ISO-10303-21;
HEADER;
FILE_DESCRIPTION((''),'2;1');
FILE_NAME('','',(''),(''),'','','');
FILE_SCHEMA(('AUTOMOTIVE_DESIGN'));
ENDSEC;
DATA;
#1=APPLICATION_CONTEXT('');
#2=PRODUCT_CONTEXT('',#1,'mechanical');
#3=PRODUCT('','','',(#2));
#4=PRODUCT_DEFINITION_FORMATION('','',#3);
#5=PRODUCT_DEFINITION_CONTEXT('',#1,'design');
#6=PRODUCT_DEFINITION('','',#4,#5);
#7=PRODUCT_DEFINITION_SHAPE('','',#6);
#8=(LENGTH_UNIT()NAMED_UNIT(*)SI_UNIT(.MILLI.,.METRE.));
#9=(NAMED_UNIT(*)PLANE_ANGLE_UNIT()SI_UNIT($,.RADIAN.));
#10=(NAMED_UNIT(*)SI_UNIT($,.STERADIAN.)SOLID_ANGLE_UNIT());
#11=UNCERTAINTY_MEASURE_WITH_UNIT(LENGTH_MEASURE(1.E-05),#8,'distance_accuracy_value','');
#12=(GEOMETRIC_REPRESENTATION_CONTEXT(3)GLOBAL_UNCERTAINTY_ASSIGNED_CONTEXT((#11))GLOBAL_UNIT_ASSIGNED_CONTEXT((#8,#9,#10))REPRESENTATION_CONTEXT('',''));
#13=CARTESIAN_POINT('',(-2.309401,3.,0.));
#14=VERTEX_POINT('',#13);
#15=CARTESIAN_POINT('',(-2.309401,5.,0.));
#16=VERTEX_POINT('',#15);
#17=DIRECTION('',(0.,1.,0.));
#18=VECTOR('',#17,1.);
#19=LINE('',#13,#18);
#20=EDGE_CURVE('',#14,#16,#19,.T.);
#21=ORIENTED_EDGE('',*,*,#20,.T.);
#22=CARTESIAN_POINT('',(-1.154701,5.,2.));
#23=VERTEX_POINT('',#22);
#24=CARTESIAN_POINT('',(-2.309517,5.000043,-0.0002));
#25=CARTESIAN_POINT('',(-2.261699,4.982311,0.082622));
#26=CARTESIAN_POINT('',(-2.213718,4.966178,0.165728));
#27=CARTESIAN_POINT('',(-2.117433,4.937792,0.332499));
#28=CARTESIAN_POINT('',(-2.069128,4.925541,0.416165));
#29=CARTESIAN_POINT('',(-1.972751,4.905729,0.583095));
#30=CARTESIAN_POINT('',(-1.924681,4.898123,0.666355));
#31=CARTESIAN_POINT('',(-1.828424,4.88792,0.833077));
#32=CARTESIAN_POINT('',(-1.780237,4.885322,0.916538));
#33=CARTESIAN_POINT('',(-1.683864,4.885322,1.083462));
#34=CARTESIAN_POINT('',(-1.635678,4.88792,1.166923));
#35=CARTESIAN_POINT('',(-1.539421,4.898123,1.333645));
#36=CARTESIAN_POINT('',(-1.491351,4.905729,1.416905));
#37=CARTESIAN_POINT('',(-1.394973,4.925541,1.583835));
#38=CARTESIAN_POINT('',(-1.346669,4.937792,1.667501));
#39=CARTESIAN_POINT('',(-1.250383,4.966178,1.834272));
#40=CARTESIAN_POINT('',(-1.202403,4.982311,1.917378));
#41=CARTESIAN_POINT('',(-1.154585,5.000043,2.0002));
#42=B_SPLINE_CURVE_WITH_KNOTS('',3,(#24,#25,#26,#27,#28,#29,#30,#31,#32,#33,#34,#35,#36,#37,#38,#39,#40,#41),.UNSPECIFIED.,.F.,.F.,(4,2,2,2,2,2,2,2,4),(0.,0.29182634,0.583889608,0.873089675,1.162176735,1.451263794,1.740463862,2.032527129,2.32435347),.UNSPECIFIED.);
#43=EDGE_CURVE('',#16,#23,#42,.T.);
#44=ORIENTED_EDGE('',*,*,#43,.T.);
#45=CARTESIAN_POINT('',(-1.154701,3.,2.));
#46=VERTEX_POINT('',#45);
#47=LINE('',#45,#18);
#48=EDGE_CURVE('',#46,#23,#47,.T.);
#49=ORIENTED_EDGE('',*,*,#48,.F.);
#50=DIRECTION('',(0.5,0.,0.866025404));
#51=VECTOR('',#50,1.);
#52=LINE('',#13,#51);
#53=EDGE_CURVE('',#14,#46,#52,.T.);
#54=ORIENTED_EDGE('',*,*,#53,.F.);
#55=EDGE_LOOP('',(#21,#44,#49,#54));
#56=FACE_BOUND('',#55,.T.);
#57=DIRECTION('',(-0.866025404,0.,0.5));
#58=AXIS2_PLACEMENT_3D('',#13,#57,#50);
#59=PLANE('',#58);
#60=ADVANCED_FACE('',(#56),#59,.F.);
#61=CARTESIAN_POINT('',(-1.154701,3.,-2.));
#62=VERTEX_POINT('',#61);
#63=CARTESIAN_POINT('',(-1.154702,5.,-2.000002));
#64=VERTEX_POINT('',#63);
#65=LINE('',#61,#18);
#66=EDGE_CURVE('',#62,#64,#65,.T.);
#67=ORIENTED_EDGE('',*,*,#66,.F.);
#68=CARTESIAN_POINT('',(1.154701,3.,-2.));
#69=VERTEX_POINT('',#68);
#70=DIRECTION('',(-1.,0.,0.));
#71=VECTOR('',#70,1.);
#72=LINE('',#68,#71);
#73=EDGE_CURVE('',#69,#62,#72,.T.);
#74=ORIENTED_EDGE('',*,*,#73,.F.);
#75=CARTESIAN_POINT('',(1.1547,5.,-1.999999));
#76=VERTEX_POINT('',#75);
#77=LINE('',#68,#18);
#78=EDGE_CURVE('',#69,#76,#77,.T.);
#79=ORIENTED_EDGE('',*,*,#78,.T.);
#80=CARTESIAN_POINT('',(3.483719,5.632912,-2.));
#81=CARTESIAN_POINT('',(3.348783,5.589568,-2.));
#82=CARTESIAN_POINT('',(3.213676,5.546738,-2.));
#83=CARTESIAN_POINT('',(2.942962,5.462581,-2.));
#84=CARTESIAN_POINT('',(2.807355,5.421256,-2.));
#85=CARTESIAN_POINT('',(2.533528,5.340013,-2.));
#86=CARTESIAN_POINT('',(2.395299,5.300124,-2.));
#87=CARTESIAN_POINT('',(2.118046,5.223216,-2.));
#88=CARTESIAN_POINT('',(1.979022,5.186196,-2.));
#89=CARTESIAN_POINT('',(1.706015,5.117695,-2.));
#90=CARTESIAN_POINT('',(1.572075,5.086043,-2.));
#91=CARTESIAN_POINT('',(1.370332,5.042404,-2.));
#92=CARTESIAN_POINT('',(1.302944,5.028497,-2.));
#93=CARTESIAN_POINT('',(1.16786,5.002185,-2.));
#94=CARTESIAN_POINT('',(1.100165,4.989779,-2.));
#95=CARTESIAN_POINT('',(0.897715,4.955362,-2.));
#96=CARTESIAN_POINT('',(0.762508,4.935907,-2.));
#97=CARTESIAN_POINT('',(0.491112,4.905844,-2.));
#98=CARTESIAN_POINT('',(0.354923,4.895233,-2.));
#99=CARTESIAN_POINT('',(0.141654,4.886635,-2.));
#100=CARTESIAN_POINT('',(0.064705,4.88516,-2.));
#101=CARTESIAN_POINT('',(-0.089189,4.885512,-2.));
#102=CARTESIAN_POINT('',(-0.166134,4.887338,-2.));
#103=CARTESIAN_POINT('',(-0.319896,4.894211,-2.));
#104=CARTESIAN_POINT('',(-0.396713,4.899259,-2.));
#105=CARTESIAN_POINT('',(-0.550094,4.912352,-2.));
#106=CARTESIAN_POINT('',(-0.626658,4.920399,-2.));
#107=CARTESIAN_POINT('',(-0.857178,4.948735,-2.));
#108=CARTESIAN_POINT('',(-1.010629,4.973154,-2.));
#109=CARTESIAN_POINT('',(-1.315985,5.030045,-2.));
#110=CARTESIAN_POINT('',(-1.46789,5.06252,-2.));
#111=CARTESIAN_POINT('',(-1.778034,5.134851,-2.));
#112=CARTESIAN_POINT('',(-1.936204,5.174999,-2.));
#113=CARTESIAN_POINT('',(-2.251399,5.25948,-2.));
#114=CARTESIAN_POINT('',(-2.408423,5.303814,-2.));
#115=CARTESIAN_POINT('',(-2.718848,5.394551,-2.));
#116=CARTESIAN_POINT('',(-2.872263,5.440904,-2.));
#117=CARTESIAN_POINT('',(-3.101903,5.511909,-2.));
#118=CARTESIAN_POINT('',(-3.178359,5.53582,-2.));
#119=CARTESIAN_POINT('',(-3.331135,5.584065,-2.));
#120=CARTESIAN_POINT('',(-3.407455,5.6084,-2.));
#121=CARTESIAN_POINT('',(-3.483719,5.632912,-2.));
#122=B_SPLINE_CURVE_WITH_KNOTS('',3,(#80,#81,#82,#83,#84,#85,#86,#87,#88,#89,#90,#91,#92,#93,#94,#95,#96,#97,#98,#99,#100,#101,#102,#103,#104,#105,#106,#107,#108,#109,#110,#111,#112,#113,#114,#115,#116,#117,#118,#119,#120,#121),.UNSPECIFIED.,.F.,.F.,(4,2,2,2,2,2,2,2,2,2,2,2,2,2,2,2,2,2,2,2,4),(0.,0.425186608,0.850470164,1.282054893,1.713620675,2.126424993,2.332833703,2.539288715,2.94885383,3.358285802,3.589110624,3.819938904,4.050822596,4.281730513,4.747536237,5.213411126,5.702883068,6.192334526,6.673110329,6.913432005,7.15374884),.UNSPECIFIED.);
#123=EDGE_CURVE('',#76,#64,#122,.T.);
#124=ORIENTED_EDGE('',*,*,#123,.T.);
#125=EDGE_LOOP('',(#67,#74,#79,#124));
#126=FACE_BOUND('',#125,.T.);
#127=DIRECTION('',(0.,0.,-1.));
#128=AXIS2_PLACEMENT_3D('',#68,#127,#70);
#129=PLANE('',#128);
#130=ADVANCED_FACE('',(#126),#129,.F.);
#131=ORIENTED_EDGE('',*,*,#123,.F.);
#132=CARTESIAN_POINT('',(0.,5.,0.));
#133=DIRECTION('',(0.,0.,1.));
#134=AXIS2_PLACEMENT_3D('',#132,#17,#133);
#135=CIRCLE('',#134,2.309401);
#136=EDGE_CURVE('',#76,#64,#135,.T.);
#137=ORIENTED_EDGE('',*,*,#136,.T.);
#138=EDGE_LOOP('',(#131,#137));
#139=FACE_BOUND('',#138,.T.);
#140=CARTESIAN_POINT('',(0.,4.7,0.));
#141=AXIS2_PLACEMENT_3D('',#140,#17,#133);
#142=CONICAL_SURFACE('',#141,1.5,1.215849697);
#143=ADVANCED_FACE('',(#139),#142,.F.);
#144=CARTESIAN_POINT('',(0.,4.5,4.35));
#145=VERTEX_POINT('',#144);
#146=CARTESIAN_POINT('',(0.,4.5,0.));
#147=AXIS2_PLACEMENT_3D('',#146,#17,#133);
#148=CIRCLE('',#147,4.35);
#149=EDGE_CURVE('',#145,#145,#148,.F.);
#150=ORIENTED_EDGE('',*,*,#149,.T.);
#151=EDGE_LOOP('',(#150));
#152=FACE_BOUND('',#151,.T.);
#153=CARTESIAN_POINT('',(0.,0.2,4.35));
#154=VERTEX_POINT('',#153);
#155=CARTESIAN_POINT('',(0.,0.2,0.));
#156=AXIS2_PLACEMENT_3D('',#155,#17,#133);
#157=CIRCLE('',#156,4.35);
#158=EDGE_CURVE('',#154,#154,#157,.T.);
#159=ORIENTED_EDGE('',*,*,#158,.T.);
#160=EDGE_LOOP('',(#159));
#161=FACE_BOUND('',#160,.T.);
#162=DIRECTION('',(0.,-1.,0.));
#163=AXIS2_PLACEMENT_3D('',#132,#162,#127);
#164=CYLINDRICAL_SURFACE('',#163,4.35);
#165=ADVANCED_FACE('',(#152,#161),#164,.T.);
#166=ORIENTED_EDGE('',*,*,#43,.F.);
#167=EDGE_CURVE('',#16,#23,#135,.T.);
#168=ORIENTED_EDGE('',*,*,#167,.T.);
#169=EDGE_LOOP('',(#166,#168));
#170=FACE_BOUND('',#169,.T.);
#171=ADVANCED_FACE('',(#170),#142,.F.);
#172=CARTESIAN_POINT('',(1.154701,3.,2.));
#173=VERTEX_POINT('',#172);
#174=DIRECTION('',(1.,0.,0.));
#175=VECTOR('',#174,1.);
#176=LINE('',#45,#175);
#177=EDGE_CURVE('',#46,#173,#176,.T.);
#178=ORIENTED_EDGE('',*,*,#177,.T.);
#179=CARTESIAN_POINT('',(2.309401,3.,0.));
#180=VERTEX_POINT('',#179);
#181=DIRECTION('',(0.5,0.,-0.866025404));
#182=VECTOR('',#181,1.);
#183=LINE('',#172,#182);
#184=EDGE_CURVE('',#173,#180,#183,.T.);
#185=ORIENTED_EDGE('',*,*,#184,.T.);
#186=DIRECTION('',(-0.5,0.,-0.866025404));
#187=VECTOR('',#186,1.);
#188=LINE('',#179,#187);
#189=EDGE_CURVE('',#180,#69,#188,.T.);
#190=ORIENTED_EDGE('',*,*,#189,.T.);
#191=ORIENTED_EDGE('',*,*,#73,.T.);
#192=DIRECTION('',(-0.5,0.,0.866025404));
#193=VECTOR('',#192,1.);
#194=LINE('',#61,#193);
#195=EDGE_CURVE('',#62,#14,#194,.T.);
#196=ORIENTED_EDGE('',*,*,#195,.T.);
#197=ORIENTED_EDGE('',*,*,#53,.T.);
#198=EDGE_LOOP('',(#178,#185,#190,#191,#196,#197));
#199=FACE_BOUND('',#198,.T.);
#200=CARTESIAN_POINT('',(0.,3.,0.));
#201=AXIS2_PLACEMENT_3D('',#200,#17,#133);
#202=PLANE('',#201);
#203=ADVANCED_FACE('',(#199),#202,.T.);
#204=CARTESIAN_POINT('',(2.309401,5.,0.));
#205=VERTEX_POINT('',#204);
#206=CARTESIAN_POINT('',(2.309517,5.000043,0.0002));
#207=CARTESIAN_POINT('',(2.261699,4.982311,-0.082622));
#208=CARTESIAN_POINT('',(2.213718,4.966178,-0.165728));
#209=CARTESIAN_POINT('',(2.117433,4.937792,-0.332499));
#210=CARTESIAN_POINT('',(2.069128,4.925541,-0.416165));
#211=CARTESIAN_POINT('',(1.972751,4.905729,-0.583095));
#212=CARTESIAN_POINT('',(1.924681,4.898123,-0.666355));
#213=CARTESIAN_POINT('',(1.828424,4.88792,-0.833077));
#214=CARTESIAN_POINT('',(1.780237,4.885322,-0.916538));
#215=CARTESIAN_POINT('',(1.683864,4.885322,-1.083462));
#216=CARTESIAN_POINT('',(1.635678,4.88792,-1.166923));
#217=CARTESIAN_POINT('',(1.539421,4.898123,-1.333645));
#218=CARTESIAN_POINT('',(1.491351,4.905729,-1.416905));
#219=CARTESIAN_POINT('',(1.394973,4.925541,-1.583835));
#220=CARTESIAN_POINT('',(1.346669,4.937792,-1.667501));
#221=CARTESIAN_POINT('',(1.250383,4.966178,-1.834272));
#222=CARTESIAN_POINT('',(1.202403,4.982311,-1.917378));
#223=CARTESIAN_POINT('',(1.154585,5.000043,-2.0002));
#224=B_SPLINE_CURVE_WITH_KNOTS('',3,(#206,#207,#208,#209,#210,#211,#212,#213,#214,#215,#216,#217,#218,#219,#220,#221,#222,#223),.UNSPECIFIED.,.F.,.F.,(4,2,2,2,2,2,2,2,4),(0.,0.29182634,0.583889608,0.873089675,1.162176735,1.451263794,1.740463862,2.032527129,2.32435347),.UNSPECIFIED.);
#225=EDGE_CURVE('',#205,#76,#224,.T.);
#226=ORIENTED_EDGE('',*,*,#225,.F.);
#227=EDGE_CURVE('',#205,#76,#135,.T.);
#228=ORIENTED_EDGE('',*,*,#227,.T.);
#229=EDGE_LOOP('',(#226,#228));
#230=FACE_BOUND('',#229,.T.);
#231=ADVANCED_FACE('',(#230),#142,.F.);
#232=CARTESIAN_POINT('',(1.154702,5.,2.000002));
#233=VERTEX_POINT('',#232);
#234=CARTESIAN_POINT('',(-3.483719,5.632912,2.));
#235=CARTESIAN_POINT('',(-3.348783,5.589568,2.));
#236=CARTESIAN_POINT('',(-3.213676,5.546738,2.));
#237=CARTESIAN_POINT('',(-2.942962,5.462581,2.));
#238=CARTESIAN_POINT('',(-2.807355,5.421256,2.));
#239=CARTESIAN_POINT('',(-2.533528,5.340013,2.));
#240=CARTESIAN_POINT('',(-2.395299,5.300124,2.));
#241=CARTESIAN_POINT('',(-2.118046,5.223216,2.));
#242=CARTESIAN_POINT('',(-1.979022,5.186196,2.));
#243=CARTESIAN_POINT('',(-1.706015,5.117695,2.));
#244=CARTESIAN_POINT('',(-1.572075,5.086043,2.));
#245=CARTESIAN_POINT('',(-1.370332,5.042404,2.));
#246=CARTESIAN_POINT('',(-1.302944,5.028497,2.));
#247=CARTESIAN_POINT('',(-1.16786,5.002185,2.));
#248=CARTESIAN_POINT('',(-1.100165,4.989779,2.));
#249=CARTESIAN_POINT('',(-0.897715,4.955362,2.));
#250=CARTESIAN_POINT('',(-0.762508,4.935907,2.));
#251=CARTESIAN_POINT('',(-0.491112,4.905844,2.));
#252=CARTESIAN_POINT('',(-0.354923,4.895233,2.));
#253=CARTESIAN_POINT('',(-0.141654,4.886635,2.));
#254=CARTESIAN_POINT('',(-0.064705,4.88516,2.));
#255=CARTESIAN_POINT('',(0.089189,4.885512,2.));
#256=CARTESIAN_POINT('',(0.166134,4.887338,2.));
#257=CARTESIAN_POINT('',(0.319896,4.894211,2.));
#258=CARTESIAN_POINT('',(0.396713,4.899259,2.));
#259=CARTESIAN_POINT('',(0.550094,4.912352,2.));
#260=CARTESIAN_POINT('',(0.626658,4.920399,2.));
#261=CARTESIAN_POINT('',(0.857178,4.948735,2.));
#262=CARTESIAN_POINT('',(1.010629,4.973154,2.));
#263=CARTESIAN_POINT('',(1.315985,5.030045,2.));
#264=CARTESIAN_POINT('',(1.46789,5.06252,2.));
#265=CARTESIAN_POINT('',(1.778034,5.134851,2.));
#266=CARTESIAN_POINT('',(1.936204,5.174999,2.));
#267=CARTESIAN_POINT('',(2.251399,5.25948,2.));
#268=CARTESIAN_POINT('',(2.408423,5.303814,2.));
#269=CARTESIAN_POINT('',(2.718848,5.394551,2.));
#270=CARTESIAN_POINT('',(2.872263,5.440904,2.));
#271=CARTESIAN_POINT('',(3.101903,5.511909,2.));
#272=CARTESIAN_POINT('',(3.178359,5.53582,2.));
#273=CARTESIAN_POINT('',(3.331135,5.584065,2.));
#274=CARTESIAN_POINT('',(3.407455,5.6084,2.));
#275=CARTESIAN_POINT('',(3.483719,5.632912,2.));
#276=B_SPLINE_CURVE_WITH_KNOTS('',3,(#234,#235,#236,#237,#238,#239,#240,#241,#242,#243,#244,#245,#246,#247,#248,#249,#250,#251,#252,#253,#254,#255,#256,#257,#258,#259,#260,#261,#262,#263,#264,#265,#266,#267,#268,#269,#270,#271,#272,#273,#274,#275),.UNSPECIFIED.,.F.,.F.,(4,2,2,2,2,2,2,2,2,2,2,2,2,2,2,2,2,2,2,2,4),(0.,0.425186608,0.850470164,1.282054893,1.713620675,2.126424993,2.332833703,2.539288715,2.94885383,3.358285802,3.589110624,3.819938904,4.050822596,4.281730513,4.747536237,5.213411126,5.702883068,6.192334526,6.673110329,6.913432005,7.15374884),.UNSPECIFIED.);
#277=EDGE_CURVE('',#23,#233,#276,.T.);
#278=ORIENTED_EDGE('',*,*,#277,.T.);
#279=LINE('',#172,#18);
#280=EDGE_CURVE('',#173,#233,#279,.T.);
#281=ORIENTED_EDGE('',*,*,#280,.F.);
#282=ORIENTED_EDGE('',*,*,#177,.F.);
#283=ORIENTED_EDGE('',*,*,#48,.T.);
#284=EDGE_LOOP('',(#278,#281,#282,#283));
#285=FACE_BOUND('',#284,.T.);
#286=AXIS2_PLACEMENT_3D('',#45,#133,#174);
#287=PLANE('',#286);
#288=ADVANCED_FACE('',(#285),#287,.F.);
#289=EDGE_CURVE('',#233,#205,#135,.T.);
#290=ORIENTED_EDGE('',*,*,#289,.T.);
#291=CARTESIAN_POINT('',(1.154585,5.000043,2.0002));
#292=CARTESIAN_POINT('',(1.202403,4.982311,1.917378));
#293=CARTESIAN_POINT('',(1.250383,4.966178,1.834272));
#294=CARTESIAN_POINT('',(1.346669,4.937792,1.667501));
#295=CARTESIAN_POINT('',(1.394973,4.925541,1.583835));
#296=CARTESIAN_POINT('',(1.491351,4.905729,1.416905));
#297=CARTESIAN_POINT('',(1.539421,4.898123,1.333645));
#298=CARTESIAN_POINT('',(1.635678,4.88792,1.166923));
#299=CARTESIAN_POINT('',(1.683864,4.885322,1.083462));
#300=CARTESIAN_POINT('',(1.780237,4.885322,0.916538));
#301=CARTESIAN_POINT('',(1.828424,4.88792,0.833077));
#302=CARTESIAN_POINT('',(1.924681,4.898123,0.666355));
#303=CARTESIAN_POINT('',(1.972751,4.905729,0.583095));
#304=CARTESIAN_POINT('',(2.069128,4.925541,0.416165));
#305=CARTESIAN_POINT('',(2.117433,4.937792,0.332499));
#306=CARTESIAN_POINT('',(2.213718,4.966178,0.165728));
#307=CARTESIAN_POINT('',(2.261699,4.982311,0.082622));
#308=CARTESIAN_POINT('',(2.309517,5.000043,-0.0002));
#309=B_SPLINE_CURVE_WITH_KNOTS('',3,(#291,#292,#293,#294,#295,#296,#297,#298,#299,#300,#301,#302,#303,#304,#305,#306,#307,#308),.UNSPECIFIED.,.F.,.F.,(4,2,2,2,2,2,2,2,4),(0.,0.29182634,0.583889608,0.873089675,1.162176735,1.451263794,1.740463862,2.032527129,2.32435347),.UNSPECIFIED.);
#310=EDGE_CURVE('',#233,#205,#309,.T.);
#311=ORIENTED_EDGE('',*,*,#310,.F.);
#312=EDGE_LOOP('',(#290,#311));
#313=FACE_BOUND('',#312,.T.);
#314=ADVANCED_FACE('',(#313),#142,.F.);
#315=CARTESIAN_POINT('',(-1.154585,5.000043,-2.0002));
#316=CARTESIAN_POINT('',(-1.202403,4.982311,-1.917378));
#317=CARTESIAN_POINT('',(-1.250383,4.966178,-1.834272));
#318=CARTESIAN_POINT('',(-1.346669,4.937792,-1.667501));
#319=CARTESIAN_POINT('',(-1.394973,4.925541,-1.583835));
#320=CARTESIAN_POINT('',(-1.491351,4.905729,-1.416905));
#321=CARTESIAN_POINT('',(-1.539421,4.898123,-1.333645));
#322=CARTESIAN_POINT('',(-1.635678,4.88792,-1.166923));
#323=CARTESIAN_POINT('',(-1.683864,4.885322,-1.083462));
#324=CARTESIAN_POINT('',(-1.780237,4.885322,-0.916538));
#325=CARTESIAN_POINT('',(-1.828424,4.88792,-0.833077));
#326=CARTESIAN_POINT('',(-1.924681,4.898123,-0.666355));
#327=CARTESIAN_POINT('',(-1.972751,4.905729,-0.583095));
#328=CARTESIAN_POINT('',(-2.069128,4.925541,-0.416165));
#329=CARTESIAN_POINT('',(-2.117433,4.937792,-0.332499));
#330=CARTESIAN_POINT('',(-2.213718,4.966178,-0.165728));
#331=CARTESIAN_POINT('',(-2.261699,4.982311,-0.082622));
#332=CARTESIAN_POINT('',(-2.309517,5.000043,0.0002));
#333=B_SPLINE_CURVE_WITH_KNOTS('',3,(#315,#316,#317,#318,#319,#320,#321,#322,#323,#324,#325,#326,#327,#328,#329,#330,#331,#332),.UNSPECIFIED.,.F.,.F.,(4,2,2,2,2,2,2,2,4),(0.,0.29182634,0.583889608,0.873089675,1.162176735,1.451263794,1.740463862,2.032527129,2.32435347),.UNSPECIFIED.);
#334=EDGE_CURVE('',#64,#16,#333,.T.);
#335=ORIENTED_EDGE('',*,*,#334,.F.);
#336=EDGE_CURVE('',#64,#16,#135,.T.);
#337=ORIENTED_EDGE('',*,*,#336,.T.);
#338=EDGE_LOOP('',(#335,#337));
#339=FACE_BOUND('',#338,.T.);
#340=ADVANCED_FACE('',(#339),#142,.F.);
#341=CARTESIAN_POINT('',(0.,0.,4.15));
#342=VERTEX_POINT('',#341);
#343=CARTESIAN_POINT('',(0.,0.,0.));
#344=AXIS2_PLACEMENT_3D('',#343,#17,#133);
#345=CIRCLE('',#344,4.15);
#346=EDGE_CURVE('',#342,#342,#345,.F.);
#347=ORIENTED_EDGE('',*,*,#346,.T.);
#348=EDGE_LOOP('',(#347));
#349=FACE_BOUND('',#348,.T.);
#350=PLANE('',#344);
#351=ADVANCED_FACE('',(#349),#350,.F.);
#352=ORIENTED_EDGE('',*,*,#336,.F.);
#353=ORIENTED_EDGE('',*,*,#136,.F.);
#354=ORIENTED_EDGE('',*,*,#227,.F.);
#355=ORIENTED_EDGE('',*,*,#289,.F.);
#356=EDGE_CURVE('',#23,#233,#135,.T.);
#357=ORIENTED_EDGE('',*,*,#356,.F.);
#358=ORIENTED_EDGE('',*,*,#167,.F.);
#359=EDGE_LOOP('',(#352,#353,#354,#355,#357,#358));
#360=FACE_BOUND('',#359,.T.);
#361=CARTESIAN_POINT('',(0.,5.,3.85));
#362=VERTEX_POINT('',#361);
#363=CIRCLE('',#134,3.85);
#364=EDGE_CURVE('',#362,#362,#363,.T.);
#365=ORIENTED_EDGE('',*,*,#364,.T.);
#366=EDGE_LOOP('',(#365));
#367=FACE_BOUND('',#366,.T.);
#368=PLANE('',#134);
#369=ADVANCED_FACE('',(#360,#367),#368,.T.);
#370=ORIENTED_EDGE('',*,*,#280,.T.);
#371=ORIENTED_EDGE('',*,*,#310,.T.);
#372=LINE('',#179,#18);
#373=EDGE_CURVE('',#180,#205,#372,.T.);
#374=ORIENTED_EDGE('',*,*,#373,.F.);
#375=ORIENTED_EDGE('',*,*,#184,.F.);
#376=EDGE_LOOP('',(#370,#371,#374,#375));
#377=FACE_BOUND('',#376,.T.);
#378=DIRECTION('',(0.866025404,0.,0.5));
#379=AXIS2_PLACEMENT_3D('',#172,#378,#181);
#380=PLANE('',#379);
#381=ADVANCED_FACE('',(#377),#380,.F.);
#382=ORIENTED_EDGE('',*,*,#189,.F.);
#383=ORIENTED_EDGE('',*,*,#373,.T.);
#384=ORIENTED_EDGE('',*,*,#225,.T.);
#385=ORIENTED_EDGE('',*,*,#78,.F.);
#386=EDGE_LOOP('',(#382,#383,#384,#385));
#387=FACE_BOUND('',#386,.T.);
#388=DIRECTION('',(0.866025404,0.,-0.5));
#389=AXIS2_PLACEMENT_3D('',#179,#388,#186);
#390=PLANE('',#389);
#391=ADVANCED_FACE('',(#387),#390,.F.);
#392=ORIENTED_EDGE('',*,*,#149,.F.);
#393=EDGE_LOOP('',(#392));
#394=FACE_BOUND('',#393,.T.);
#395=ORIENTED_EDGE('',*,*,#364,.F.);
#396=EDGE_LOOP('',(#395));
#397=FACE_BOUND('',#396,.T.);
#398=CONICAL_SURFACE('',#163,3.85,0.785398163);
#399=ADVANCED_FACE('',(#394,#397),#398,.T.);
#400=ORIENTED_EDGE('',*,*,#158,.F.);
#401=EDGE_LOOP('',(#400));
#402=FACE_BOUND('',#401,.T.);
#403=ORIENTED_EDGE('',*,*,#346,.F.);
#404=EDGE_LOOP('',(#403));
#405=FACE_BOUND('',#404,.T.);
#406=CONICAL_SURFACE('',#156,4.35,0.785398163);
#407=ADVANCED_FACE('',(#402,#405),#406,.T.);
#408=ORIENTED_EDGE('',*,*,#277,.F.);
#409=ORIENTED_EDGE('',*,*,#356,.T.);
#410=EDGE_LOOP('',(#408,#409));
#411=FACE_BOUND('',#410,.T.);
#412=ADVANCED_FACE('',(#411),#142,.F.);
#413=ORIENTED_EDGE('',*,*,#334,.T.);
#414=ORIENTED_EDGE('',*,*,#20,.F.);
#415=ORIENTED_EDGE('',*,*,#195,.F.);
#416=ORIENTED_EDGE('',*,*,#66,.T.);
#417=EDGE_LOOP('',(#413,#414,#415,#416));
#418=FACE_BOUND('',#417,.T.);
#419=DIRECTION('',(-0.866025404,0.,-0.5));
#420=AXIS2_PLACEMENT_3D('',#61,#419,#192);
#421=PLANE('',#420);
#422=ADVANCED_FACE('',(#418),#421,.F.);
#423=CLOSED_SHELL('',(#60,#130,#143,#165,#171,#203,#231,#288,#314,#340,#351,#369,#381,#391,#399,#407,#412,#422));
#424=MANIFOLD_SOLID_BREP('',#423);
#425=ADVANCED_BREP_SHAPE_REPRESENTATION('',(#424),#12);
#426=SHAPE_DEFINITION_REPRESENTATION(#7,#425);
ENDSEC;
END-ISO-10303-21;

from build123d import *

# Parameters (mm, degrees)
SKETCH_1_R          = 4.35
EXTRUDE_1_DEPTH     = 5
CUT_EXTRUDE_1_DEPTH = 2
SKETCH_3_R          = 2.309401077
SKETCH_4_R          = 1.5
CHAMFER_1_SIZE      = 0.5
CHAMFER_2_SIZE      = 0.2


with BuildPart() as part:
    # 草图1 → 凸台-拉伸1 (new body)
    with BuildSketch(Plane(origin=(0, 0, 0), x_dir=(1, 0, 0), z_dir=(0, 1, 0))):
        with Locations(Location((0, 0, 0), (0, 0, 270))):
            Circle(SKETCH_1_R)
    extrude(amount=EXTRUDE_1_DEPTH)

    # 草图2 → 切除-拉伸1 (cut)
    with BuildSketch(Plane(origin=(0, 5, 0), x_dir=(1, 0, 0), z_dir=(0, 1, 0))):
        Polygon((2.309401077, 0), (1.154700538, 2), (-1.154700538, 2), (-2.309401077, 0), (-1.154700538, -2), (1.154700538, -2), align=None)
    extrude(amount=-CUT_EXTRUDE_1_DEPTH, mode=Mode.SUBTRACT)

    # 草图3 → 切除-放样1 section 0
    with BuildSketch(Plane(origin=(0, 5, 0), x_dir=(1, 0, 0), z_dir=(0, 1, 0))):
        Circle(SKETCH_3_R)
    # 草图4 → 切除-放样1 section 1
    with BuildSketch(Plane(origin=(0, 4.7, 0), x_dir=(1, 0, 0), z_dir=(0, 1, 0))):
        Circle(SKETCH_4_R)
    loft(mode=Mode.SUBTRACT)

    # 倒角1
    chamfer_1_edges = [part.edges().sort_by_distance(p)[0] for p in [
        (0, 5, -4.35),
    ]]
    chamfer(chamfer_1_edges, length=CHAMFER_1_SIZE)

    # 倒角2
    chamfer_2_edges = [part.edges().sort_by_distance(p)[0] for p in [
        (0, 0, -4.35),
    ]]
    chamfer(chamfer_2_edges, length=CHAMFER_2_SIZE)


solid = part.part
